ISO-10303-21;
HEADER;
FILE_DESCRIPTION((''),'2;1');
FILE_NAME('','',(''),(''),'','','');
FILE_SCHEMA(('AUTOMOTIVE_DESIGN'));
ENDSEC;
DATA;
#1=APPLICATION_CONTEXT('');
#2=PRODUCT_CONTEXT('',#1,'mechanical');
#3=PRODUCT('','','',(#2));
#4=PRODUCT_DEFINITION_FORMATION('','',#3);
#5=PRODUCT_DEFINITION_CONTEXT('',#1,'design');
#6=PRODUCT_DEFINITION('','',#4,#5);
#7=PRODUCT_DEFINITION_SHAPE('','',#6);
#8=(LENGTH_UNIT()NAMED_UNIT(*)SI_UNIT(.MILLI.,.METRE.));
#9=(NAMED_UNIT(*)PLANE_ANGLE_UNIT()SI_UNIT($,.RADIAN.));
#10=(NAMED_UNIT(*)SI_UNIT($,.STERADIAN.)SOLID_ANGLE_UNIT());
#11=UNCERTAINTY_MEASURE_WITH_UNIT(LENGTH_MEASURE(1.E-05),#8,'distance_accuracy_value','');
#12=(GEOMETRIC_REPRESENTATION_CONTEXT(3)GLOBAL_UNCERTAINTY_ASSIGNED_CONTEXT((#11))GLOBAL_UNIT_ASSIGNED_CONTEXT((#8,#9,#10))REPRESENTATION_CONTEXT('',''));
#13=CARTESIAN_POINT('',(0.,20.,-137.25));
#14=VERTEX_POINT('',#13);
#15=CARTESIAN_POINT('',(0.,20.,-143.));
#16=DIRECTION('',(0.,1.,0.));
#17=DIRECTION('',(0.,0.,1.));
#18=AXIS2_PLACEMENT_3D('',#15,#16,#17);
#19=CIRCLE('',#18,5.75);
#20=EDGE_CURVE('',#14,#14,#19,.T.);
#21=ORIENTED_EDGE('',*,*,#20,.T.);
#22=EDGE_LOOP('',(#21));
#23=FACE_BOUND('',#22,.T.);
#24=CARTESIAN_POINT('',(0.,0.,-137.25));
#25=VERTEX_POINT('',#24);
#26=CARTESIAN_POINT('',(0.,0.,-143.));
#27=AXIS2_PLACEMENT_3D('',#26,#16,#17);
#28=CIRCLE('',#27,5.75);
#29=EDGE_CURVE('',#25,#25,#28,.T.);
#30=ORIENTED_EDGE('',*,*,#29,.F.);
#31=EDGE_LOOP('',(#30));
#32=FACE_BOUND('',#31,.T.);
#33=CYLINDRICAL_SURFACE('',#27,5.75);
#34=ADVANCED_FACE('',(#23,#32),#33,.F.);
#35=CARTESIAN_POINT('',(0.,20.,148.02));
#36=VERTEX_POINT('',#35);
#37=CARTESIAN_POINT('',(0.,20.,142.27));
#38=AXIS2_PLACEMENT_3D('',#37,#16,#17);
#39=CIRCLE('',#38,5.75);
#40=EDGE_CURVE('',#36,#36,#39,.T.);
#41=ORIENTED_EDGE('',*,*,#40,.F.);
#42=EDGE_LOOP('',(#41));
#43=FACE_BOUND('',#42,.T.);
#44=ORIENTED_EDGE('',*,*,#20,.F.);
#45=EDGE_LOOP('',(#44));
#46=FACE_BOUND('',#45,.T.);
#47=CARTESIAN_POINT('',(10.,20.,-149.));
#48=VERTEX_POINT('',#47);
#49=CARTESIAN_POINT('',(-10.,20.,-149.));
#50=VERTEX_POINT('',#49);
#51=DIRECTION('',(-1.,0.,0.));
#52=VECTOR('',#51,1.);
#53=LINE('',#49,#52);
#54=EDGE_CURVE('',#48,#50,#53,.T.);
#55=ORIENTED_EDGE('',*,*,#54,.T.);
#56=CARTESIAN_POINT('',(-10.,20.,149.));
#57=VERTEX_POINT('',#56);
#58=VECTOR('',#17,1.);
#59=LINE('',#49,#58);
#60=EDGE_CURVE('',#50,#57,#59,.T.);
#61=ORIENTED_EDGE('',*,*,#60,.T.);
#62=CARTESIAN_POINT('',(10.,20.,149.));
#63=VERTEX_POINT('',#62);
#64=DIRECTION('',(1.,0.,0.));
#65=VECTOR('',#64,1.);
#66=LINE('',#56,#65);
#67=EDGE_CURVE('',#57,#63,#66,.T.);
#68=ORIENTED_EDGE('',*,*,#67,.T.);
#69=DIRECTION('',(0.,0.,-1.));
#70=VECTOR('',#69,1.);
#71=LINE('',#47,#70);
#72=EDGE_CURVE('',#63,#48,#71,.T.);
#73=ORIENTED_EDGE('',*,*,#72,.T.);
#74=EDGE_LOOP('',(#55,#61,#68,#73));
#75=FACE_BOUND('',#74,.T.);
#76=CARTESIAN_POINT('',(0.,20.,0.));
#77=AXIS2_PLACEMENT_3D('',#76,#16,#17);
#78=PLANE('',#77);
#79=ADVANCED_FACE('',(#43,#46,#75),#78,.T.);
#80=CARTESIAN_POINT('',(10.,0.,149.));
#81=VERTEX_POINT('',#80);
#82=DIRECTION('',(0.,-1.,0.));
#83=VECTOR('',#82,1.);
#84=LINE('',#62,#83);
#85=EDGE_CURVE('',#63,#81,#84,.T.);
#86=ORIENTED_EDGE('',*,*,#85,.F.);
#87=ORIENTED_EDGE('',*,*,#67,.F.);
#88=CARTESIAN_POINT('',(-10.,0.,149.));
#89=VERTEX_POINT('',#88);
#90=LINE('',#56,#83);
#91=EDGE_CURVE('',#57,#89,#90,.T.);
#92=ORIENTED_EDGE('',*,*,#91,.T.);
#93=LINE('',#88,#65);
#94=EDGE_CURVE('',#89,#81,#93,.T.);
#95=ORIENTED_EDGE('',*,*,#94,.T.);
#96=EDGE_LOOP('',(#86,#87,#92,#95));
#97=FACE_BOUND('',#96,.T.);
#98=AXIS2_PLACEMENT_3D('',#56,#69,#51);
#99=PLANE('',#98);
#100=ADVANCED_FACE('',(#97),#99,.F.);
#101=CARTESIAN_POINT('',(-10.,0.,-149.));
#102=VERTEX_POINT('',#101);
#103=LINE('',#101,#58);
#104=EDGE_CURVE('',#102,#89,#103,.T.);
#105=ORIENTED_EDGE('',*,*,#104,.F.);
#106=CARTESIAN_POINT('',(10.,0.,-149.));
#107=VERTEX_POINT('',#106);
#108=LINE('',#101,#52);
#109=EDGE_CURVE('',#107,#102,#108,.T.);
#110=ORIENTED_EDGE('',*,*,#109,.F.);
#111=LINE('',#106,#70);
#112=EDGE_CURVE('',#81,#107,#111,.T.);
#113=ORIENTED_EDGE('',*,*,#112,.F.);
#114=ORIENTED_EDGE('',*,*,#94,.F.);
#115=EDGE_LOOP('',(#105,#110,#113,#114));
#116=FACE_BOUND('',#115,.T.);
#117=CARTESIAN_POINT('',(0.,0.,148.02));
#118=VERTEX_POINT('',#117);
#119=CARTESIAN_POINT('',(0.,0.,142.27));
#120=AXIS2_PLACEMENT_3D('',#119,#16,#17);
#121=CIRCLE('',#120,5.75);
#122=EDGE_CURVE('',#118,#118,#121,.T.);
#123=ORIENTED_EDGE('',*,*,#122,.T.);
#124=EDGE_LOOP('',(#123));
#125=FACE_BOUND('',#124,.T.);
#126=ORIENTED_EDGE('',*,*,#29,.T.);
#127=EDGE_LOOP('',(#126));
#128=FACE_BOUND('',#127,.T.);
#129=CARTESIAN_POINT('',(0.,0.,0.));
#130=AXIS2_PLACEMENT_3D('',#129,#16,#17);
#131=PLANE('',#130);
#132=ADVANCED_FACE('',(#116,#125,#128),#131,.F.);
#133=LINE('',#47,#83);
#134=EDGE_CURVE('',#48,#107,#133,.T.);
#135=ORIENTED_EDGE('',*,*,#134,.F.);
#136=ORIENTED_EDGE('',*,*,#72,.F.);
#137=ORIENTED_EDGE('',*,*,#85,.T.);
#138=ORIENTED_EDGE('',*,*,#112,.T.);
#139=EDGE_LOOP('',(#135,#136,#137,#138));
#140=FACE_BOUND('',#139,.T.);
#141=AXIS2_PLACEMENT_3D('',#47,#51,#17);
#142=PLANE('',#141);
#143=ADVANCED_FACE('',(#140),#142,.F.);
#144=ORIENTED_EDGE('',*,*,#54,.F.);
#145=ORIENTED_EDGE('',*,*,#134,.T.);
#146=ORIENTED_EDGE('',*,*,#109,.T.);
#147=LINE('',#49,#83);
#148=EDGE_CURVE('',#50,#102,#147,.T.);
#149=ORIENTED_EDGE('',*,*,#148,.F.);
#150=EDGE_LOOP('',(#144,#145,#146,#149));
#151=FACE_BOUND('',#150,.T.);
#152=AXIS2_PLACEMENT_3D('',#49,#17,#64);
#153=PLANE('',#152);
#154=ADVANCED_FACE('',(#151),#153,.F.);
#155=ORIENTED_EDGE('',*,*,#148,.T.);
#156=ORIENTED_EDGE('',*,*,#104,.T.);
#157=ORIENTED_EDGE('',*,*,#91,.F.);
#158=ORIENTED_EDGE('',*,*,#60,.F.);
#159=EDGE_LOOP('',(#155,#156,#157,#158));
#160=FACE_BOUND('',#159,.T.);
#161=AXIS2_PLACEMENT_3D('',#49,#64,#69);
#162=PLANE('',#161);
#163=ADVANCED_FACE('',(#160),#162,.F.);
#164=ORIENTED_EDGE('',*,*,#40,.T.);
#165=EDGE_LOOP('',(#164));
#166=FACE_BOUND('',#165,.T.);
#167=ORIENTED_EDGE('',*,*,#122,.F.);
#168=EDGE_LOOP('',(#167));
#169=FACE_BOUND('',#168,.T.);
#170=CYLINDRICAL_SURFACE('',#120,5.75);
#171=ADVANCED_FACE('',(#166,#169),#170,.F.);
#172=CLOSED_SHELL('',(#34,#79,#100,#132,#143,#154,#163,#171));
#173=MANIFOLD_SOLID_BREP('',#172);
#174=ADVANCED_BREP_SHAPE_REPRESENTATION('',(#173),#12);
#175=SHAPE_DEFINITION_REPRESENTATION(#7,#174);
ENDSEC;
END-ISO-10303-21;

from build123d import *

# Parameters (mm, degrees)
SKETCH1_W           = 20
SKETCH1_H           = 298
BOSS_EXTRUDE1_DEPTH = 20
SKETCH3_R           = 5.75
CUT_EXTRUDE1_DEPTH  = 21


with BuildPart() as part:
    # Sketch1 → Boss-Extrude1 (new body)
    with BuildSketch(Plane(origin=(0, 0, 0), x_dir=(1, 0, 0), z_dir=(0, 1, 0))):
        Rectangle(SKETCH1_W, SKETCH1_H)
    extrude(amount=BOSS_EXTRUDE1_DEPTH)

    # Sketch3 → Cut-Extrude1 (cut, through all)
    with BuildSketch(Plane(origin=(0, 20, 0), x_dir=(1, 0, 0), z_dir=(0, 1, 0))):
        with Locations((0, 143)):
            Circle(SKETCH3_R)
        with Locations((0, -142.27)):
            Circle(SKETCH3_R)
    extrude(amount=-CUT_EXTRUDE1_DEPTH, mode=Mode.SUBTRACT)


solid = part.part
